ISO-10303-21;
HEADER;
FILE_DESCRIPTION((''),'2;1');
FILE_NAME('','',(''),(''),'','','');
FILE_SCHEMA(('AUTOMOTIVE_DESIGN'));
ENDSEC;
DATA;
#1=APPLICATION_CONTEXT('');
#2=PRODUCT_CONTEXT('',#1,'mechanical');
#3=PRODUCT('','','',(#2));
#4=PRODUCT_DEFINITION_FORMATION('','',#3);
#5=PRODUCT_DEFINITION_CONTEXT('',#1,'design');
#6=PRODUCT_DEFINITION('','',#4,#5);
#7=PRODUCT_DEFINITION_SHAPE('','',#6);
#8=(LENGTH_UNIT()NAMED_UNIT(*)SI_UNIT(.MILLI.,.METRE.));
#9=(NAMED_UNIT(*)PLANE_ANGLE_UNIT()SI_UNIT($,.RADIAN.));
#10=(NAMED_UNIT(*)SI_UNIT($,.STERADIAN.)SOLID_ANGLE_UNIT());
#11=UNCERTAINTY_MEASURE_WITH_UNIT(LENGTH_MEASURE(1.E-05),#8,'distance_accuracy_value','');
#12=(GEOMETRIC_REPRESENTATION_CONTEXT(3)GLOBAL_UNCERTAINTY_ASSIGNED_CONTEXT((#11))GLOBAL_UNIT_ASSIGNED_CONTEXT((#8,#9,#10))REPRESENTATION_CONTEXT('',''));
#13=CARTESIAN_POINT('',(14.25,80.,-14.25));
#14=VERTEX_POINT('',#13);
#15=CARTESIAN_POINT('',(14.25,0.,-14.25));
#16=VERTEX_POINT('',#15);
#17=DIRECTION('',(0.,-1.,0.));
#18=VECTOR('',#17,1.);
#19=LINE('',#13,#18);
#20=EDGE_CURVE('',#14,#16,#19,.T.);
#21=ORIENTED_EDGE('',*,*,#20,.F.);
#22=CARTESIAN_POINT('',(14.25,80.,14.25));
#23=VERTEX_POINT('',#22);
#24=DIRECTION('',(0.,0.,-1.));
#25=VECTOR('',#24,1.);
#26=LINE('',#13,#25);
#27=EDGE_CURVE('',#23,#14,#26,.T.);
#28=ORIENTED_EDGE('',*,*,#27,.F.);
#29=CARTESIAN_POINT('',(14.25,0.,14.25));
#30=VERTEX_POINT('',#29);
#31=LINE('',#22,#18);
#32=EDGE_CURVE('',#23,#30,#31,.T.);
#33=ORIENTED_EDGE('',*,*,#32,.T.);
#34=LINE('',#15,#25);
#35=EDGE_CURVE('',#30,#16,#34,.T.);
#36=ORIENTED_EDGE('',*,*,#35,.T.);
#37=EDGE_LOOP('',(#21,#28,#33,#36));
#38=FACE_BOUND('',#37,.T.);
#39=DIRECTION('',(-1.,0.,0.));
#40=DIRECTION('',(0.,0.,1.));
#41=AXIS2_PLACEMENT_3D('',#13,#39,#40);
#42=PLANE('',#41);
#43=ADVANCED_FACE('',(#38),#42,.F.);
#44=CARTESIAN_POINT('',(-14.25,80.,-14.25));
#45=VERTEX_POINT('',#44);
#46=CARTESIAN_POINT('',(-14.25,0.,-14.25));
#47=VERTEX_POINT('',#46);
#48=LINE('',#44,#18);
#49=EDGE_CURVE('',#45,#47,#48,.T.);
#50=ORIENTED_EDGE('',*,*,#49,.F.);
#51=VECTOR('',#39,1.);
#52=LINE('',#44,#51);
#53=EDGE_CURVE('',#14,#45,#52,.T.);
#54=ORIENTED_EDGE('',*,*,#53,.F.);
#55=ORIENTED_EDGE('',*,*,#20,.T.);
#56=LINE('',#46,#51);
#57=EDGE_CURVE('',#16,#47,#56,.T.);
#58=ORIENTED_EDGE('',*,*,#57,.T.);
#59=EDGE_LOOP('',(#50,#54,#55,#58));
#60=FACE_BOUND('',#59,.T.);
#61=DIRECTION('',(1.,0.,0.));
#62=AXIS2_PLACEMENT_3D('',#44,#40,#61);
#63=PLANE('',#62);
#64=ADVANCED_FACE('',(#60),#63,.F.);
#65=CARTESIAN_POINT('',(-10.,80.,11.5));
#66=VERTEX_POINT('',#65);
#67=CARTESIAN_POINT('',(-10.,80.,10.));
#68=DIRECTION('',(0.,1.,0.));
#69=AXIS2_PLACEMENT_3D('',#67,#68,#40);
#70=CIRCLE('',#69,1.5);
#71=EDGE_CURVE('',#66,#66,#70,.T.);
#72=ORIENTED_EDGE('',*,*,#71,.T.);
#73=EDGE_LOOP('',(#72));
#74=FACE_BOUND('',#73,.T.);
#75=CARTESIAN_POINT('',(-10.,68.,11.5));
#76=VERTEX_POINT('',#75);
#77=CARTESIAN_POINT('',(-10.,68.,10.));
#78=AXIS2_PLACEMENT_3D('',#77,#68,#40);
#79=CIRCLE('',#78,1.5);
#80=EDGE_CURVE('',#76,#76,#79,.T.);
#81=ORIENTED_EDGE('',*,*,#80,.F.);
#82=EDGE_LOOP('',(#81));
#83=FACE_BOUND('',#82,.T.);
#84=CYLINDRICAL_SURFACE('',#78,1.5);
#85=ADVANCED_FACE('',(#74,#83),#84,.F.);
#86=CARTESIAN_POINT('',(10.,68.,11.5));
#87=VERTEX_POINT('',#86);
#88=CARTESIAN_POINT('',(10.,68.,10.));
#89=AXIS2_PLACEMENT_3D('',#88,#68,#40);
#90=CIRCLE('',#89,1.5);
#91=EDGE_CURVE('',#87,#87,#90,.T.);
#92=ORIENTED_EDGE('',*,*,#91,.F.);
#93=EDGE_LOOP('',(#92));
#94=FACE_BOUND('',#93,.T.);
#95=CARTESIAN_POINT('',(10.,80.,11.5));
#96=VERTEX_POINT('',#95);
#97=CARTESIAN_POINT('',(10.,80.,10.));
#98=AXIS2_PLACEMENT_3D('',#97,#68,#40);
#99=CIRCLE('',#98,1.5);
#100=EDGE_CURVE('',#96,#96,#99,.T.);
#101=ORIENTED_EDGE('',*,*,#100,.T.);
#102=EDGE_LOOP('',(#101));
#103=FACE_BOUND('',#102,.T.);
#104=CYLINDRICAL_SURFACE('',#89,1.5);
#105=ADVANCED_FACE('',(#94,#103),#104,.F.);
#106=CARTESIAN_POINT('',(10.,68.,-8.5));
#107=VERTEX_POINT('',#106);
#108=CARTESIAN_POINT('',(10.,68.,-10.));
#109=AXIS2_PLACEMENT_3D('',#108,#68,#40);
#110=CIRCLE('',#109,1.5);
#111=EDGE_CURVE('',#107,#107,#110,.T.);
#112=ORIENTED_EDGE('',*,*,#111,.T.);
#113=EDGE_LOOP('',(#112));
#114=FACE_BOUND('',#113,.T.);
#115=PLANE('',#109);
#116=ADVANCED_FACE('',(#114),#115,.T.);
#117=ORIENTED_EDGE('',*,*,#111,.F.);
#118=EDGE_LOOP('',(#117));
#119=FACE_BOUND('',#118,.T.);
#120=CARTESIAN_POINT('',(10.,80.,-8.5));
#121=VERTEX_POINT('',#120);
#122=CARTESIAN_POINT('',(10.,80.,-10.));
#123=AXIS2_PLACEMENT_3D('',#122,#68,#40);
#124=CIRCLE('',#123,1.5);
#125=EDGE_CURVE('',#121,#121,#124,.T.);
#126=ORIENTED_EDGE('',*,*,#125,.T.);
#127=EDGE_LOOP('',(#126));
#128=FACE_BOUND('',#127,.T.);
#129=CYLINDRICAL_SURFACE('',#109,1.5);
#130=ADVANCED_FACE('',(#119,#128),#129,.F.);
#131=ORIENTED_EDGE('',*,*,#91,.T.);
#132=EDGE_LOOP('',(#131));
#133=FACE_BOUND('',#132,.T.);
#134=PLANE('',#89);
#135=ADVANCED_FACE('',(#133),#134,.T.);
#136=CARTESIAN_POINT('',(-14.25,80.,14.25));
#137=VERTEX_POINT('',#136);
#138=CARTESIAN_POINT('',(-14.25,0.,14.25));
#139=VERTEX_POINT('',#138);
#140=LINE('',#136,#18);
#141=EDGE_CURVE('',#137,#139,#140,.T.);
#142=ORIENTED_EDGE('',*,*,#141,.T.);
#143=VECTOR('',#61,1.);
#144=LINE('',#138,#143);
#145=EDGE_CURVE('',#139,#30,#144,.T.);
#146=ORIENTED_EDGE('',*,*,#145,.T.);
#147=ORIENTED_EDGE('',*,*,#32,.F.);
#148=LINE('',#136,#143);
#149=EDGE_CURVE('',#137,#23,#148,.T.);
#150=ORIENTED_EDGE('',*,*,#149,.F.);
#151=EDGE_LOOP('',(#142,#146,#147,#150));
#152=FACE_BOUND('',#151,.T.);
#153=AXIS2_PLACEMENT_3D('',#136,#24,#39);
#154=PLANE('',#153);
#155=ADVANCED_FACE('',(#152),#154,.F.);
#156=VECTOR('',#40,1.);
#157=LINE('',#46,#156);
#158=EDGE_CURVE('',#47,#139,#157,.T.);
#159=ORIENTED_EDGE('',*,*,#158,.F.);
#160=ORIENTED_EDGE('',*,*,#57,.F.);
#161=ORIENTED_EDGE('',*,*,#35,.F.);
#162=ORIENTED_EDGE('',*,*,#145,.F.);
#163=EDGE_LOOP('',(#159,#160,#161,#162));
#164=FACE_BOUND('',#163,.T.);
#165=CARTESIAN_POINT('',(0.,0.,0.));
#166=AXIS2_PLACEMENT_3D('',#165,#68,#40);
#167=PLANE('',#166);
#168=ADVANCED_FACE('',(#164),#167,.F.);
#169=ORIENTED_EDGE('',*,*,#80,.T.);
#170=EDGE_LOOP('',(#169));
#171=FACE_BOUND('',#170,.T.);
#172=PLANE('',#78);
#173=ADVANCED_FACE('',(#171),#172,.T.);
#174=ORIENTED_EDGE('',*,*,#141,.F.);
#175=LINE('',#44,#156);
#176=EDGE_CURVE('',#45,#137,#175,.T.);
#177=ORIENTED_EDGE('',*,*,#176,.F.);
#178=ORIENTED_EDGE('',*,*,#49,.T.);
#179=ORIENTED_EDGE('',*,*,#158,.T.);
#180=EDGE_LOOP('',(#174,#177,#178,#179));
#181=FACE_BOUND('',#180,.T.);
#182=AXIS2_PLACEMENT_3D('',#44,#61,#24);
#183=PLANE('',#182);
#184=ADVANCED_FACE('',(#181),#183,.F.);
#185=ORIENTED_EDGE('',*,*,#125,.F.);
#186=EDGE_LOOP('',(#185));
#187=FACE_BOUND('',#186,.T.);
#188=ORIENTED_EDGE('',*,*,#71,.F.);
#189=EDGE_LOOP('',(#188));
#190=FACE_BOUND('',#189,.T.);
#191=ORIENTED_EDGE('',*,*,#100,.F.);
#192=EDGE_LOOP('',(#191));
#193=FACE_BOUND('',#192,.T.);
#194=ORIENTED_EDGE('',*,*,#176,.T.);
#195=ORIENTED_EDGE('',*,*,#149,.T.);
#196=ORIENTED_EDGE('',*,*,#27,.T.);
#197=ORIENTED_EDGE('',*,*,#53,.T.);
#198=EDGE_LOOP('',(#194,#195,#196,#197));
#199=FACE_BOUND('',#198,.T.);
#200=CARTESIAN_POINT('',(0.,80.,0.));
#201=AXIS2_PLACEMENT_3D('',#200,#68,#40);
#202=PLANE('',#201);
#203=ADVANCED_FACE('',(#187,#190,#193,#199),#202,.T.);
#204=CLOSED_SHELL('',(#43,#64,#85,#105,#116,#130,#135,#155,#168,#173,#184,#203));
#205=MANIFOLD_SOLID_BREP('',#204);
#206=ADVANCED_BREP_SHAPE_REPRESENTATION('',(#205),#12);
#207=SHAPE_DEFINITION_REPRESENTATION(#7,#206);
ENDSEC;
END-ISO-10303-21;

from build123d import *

# Parameters (mm, degrees)
SKETCH1_W           = 28.5
SKETCH1_H           = 28.5
BOSS_EXTRUDE1_DEPTH = 80
SKETCH2_R           = 1.5
CUT_EXTRUDE1_DEPTH  = 12


with BuildPart() as part:
    # Sketch1 → Boss-Extrude1 (new body)
    with BuildSketch(Plane(origin=(0, 0, 0), x_dir=(1, 0, 0), z_dir=(0, 1, 0))):
        Rectangle(SKETCH1_W, SKETCH1_H)
    extrude(amount=BOSS_EXTRUDE1_DEPTH)

    # Sketch2 → Cut-Extrude1 (cut)
    with BuildSketch(Plane(origin=(0, 80, 0), x_dir=(1, 0, 0), z_dir=(0, 1, 0))):
        with Locations(Location((10, 10, 0), (0, 0, 270))):
            Circle(SKETCH2_R)
        with Locations(Location((10, -10, 0), (0, 0, 270))):
            Circle(SKETCH2_R)
        with Locations(Location((-10, -10, 0), (0, 0, 270))):
            Circle(SKETCH2_R)
    extrude(amount=-CUT_EXTRUDE1_DEPTH, mode=Mode.SUBTRACT)


solid = part.part
